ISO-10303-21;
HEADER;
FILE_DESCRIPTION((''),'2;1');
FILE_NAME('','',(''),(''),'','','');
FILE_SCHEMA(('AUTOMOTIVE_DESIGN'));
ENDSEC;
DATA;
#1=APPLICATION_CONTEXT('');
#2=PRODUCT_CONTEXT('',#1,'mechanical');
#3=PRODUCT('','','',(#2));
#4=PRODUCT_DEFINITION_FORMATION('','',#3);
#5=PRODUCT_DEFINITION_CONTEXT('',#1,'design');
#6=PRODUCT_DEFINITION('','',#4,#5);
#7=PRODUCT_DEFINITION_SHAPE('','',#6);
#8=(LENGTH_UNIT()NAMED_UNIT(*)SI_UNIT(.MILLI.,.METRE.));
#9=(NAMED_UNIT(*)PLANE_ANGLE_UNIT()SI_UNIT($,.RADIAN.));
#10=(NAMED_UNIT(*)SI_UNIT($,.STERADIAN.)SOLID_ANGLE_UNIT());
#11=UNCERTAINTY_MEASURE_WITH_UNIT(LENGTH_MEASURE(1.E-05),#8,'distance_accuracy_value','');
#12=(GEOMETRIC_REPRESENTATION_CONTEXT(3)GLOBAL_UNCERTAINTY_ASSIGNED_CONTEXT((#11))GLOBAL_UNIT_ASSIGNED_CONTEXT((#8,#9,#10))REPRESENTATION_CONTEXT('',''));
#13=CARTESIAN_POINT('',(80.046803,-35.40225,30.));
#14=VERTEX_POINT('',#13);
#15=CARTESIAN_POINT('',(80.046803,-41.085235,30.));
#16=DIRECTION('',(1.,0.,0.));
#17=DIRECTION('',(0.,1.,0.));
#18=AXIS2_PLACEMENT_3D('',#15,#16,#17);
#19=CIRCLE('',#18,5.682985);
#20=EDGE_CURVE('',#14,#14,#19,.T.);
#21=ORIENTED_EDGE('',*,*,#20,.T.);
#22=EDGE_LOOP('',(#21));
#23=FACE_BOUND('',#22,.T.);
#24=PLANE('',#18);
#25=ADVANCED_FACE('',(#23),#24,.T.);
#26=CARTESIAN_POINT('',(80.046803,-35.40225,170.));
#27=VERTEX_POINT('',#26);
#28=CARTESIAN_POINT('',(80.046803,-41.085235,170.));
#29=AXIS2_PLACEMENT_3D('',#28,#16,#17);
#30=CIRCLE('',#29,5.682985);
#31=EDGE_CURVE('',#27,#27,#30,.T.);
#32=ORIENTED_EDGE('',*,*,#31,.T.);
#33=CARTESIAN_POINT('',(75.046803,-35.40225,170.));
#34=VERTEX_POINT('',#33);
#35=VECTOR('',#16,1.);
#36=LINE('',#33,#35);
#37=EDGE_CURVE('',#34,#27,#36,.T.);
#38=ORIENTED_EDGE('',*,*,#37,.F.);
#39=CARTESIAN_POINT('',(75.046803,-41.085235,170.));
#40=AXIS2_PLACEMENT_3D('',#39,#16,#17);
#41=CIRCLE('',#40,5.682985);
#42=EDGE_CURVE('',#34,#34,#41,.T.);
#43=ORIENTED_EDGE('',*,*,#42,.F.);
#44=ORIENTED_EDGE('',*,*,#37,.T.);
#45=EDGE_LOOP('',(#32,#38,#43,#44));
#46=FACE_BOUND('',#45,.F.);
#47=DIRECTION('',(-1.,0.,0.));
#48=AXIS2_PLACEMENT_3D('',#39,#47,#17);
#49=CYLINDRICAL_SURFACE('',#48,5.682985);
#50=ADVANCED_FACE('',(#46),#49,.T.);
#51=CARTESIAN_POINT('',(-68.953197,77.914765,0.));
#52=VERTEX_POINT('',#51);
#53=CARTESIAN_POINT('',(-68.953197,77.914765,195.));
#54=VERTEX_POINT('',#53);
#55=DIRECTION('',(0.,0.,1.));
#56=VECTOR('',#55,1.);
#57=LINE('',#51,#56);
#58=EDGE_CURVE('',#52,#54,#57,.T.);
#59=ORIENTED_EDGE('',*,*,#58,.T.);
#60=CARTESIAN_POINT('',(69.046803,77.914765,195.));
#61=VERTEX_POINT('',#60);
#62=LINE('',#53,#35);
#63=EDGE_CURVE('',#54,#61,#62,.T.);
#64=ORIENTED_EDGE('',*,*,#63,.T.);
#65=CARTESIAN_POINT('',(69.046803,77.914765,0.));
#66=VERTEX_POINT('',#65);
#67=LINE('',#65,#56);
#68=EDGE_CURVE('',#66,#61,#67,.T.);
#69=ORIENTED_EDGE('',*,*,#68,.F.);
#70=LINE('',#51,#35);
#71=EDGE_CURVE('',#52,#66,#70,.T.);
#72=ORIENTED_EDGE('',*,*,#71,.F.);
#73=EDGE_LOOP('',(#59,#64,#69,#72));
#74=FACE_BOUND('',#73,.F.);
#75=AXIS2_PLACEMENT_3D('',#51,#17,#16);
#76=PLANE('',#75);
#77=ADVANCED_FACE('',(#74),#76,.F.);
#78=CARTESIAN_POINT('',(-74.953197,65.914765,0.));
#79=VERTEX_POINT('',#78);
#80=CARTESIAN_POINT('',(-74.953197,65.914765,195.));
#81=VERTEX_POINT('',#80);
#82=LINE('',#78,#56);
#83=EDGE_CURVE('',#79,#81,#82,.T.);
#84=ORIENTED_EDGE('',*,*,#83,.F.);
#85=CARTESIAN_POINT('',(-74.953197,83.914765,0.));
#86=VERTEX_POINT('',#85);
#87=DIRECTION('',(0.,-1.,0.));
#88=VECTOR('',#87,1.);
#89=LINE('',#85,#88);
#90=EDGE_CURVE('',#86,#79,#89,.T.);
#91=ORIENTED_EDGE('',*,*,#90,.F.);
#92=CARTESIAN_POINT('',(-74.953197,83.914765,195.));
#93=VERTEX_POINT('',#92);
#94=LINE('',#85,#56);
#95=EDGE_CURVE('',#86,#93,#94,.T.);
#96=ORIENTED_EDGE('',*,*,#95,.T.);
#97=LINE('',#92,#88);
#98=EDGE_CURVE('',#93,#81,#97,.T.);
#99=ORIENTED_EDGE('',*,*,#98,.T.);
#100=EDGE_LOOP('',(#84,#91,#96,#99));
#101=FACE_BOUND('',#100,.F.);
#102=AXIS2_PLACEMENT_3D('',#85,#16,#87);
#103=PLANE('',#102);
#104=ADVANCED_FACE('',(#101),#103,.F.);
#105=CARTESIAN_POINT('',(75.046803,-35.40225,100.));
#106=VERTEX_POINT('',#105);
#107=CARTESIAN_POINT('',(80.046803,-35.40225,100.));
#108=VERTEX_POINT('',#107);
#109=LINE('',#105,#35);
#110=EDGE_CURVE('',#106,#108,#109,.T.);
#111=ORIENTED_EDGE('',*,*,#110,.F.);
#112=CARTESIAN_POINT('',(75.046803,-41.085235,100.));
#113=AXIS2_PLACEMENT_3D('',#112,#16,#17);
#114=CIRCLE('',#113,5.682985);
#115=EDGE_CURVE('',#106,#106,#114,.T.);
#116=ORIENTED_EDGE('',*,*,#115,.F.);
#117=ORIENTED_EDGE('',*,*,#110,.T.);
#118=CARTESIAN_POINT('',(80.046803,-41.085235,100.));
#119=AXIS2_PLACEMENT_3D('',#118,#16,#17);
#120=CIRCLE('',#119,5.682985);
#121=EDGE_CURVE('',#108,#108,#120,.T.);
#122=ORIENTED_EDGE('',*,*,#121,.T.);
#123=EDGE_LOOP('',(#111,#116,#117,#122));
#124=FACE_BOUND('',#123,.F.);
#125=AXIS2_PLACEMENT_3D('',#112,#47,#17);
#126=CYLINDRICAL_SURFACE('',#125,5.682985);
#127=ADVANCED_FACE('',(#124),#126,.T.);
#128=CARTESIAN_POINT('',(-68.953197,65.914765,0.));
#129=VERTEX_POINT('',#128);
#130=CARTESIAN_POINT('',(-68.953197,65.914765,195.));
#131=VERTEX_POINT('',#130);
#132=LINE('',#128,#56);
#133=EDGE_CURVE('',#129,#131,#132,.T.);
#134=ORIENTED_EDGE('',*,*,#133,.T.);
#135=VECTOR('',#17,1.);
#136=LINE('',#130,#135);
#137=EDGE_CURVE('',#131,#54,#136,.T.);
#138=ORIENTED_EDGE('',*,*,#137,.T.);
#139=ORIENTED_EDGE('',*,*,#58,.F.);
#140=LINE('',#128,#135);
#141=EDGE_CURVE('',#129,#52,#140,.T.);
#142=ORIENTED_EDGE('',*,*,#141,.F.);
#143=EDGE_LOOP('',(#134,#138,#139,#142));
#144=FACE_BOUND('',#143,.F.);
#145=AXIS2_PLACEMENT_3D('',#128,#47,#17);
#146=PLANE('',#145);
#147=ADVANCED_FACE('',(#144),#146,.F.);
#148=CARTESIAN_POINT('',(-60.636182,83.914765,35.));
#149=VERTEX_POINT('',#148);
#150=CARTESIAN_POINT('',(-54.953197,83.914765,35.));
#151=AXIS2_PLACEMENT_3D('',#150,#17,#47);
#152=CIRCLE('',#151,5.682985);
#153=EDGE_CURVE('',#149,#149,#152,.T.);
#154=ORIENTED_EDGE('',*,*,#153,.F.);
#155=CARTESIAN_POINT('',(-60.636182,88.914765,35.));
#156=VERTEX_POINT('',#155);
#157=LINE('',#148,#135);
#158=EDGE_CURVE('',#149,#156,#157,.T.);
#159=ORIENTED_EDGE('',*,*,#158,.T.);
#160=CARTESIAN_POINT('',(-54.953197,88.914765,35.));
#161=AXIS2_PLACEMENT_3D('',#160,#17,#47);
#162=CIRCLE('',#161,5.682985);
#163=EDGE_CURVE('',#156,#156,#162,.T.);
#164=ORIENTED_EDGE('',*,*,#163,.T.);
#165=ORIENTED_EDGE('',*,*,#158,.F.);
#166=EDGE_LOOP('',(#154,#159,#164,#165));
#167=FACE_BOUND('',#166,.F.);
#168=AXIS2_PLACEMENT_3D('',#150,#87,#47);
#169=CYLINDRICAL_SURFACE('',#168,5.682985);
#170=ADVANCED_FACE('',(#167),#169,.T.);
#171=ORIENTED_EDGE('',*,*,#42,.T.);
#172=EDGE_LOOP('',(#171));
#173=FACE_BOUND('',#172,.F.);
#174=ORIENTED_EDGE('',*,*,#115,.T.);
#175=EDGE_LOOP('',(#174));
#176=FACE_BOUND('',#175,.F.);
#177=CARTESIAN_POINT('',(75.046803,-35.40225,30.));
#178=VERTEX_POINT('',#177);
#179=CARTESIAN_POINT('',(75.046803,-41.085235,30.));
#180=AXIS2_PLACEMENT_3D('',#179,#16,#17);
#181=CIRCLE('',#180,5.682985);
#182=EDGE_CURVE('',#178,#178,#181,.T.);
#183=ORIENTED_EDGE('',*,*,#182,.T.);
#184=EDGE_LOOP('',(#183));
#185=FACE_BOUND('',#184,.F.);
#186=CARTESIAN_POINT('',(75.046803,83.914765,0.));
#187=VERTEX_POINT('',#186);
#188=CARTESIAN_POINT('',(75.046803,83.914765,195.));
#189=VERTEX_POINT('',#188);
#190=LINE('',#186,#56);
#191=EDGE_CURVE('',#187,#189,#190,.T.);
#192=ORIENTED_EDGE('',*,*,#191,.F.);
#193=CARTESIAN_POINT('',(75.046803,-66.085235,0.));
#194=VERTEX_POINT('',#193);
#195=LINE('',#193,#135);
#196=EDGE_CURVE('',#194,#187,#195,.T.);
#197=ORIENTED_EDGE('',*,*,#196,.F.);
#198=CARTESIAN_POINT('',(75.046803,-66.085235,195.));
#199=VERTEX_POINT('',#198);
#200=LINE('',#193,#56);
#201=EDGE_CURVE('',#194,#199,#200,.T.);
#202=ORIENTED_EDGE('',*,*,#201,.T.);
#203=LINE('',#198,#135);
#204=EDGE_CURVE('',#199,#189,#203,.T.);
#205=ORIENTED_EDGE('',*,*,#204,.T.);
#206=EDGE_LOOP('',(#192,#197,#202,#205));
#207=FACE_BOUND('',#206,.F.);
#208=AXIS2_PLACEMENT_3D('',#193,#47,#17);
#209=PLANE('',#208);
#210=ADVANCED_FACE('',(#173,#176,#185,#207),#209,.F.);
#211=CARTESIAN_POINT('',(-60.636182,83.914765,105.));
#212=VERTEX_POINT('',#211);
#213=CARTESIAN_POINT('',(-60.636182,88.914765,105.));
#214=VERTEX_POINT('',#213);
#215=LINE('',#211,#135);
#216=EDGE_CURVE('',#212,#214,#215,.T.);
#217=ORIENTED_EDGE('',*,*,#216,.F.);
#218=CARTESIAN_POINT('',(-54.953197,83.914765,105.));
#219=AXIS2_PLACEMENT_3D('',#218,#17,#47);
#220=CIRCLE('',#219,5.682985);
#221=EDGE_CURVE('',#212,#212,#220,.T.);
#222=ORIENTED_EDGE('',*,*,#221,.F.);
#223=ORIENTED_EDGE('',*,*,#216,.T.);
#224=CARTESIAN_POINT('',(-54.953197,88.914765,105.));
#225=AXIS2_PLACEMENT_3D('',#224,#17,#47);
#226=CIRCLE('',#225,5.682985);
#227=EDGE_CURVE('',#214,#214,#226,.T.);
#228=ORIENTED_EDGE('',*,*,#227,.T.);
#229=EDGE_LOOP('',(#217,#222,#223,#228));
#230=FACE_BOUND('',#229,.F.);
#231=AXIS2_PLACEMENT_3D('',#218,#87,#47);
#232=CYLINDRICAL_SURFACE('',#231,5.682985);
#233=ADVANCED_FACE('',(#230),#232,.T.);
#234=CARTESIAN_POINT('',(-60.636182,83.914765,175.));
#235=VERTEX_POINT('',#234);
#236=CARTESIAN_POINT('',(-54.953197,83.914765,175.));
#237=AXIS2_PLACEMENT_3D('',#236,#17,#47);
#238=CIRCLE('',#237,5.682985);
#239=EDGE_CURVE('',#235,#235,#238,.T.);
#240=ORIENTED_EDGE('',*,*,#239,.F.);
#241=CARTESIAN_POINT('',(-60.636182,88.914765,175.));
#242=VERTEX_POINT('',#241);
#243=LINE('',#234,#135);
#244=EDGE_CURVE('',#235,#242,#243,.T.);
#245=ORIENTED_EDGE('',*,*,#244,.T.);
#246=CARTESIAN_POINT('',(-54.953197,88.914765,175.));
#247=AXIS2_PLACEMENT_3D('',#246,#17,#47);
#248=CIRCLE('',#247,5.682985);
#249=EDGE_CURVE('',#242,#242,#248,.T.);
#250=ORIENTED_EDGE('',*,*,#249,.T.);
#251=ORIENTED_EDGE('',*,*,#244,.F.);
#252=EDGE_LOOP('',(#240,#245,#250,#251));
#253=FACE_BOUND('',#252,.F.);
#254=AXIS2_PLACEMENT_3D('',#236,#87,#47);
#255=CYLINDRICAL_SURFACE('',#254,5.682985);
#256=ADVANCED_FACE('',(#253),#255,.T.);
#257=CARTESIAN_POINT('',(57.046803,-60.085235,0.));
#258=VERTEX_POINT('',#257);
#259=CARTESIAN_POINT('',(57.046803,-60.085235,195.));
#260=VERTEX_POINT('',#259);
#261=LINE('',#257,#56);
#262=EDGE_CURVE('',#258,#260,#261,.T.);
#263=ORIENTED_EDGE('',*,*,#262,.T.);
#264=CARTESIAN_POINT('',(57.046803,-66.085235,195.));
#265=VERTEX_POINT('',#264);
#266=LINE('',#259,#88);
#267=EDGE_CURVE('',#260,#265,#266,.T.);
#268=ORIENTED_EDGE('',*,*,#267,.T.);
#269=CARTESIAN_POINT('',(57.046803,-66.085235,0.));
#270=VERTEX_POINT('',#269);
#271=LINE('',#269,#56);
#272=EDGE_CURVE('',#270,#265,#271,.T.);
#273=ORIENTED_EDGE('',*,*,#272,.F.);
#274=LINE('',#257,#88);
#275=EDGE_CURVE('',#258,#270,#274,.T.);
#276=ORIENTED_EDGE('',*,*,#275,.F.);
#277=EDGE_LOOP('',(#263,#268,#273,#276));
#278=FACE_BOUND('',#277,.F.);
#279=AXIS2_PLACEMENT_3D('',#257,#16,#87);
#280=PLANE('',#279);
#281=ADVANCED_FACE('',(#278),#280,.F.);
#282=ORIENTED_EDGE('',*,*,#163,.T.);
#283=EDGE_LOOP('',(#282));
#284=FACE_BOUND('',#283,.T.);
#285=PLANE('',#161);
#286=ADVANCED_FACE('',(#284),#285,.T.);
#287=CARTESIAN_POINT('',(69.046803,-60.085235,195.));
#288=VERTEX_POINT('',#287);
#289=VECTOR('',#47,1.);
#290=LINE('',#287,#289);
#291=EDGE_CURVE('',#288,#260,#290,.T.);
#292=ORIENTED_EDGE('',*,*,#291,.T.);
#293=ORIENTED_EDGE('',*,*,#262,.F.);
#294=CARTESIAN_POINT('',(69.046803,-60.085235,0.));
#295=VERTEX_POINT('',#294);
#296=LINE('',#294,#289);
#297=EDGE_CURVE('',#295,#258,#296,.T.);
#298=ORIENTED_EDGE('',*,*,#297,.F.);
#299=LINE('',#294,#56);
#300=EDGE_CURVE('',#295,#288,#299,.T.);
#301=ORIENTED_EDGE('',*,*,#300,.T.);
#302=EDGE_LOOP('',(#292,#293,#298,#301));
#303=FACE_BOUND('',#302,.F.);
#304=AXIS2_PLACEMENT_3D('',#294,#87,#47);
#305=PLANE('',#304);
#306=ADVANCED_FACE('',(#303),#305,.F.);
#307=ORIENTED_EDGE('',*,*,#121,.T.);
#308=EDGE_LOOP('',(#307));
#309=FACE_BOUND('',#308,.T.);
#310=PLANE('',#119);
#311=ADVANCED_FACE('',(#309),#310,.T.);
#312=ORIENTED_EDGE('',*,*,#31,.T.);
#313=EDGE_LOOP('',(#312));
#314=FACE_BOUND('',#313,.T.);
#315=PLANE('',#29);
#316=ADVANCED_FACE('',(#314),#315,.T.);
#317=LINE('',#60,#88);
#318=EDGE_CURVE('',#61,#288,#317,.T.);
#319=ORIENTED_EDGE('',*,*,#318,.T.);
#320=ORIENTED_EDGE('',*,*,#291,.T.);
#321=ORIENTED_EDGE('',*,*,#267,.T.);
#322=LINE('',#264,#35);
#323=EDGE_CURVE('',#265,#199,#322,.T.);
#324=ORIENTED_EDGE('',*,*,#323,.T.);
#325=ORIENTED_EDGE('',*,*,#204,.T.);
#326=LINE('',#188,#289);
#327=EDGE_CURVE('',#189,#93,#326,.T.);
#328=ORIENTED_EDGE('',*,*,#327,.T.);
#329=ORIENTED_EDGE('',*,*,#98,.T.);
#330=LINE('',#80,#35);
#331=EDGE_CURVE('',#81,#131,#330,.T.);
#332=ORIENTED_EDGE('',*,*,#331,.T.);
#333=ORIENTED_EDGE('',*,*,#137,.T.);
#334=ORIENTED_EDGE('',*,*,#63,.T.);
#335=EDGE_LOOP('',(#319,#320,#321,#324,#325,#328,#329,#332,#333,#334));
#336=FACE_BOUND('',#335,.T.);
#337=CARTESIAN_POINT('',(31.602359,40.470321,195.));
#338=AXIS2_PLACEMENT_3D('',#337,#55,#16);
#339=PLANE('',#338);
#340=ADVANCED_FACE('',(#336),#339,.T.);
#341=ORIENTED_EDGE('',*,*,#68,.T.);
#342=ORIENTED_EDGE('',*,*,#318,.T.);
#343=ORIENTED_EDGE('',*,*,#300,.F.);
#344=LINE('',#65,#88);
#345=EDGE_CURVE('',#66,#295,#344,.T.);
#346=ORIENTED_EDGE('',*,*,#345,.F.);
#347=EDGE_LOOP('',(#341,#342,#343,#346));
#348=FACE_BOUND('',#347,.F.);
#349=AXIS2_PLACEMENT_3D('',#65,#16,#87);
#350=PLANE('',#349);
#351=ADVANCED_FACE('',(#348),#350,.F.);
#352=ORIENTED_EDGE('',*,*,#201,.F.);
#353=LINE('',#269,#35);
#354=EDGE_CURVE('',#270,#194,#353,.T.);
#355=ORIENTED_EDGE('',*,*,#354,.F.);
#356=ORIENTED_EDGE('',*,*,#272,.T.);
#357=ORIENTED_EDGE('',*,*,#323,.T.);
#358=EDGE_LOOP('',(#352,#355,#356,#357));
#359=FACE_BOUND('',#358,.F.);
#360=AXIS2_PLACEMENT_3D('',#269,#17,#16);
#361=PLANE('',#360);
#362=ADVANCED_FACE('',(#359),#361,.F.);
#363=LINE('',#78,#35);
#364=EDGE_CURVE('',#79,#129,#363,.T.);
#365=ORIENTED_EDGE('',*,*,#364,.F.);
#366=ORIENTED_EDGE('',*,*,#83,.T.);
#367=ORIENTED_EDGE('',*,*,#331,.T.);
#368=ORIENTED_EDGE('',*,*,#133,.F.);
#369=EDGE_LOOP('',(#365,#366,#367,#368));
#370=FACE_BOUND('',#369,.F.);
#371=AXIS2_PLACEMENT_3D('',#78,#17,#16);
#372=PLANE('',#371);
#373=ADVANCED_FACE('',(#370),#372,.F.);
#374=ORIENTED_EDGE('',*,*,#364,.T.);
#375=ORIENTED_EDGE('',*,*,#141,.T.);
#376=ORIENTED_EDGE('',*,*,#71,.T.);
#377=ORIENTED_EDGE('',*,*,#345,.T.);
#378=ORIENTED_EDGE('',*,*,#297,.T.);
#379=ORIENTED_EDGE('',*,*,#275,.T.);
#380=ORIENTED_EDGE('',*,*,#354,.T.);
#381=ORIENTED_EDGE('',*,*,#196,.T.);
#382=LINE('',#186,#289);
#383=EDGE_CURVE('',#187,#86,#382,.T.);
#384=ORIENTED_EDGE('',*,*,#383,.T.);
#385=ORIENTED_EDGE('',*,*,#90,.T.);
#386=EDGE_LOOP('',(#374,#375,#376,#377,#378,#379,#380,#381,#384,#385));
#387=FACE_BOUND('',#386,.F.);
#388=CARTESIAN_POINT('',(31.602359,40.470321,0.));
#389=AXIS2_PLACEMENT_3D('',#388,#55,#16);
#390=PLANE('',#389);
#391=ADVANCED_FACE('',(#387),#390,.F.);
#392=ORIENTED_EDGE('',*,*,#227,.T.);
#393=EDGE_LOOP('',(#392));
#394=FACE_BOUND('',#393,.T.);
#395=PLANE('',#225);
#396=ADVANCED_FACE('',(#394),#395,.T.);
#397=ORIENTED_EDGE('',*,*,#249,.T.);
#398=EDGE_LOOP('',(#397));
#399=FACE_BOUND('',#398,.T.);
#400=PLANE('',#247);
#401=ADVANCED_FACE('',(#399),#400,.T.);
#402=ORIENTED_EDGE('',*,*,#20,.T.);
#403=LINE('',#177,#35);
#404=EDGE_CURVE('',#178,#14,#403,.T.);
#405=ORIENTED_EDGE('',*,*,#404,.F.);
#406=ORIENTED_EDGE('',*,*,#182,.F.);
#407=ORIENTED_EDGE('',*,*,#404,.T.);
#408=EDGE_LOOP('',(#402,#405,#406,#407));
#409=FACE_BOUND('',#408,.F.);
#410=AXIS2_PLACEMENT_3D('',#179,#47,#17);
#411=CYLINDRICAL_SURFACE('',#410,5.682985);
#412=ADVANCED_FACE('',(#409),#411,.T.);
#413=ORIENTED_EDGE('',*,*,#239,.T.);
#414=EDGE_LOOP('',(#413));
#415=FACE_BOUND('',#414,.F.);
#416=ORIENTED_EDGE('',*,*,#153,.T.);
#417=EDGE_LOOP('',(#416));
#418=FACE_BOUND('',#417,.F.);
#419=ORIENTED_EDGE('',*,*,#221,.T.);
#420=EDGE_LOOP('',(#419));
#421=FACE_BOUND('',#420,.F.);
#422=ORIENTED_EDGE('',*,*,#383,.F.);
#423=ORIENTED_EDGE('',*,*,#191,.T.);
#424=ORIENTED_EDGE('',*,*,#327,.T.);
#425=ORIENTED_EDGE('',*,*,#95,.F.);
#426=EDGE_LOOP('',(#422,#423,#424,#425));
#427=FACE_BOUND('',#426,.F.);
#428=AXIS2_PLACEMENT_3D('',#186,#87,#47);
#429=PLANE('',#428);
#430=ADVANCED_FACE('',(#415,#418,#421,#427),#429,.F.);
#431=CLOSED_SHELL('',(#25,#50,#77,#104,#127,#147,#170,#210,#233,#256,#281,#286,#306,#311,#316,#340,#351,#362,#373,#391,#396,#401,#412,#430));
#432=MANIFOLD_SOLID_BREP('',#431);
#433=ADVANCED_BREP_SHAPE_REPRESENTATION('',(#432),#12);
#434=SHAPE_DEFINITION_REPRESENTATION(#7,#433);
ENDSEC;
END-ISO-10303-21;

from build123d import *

# Parameters (mm, degrees)
F1_DEPTH = 195
F2_R     = 5.682985
F3_DEPTH = 5
F4_R     = 5.682985
F5_DEPTH = 5


with BuildPart() as f1:
    # F0 (on Top) → F1 (new body)
    with BuildSketch(Plane.XY):
        Polygon((75.046803, 83.914765), (-74.953197, 83.914765), (-74.953197, 65.914765), (-68.953197, 65.914765), (-68.953197, 77.914765), (69.046803, 77.914765), (69.046803, -60.085235), (57.046803, -60.085235), (57.046803, -66.085235), (75.046803, -66.085235), align=None)
    extrude(amount=F1_DEPTH)

    # F2 (on face) → F3 (join)
    with BuildSketch(Plane.YZ.offset(75.046803)):
        with Locations((-41.085235, 170)):
            Circle(F2_R)
        with Locations((-41.085235, 100)):
            Circle(F2_R)
        with Locations((-41.085235, 30)):
            Circle(F2_R)
    extrude(amount=F3_DEPTH)

    # F4 (on face) → F5 (join)
    with BuildSketch(Plane(origin=(0, 83.914765, 0), x_dir=(-1, 0, 0), z_dir=(0, 1, 0))):
        with Locations((54.953197, 175)):
            Circle(F4_R)
        with Locations((54.953197, 105)):
            Circle(F4_R)
        with Locations((54.953197, 35)):
            Circle(F4_R)
    extrude(amount=F5_DEPTH)


solid = f1.part
